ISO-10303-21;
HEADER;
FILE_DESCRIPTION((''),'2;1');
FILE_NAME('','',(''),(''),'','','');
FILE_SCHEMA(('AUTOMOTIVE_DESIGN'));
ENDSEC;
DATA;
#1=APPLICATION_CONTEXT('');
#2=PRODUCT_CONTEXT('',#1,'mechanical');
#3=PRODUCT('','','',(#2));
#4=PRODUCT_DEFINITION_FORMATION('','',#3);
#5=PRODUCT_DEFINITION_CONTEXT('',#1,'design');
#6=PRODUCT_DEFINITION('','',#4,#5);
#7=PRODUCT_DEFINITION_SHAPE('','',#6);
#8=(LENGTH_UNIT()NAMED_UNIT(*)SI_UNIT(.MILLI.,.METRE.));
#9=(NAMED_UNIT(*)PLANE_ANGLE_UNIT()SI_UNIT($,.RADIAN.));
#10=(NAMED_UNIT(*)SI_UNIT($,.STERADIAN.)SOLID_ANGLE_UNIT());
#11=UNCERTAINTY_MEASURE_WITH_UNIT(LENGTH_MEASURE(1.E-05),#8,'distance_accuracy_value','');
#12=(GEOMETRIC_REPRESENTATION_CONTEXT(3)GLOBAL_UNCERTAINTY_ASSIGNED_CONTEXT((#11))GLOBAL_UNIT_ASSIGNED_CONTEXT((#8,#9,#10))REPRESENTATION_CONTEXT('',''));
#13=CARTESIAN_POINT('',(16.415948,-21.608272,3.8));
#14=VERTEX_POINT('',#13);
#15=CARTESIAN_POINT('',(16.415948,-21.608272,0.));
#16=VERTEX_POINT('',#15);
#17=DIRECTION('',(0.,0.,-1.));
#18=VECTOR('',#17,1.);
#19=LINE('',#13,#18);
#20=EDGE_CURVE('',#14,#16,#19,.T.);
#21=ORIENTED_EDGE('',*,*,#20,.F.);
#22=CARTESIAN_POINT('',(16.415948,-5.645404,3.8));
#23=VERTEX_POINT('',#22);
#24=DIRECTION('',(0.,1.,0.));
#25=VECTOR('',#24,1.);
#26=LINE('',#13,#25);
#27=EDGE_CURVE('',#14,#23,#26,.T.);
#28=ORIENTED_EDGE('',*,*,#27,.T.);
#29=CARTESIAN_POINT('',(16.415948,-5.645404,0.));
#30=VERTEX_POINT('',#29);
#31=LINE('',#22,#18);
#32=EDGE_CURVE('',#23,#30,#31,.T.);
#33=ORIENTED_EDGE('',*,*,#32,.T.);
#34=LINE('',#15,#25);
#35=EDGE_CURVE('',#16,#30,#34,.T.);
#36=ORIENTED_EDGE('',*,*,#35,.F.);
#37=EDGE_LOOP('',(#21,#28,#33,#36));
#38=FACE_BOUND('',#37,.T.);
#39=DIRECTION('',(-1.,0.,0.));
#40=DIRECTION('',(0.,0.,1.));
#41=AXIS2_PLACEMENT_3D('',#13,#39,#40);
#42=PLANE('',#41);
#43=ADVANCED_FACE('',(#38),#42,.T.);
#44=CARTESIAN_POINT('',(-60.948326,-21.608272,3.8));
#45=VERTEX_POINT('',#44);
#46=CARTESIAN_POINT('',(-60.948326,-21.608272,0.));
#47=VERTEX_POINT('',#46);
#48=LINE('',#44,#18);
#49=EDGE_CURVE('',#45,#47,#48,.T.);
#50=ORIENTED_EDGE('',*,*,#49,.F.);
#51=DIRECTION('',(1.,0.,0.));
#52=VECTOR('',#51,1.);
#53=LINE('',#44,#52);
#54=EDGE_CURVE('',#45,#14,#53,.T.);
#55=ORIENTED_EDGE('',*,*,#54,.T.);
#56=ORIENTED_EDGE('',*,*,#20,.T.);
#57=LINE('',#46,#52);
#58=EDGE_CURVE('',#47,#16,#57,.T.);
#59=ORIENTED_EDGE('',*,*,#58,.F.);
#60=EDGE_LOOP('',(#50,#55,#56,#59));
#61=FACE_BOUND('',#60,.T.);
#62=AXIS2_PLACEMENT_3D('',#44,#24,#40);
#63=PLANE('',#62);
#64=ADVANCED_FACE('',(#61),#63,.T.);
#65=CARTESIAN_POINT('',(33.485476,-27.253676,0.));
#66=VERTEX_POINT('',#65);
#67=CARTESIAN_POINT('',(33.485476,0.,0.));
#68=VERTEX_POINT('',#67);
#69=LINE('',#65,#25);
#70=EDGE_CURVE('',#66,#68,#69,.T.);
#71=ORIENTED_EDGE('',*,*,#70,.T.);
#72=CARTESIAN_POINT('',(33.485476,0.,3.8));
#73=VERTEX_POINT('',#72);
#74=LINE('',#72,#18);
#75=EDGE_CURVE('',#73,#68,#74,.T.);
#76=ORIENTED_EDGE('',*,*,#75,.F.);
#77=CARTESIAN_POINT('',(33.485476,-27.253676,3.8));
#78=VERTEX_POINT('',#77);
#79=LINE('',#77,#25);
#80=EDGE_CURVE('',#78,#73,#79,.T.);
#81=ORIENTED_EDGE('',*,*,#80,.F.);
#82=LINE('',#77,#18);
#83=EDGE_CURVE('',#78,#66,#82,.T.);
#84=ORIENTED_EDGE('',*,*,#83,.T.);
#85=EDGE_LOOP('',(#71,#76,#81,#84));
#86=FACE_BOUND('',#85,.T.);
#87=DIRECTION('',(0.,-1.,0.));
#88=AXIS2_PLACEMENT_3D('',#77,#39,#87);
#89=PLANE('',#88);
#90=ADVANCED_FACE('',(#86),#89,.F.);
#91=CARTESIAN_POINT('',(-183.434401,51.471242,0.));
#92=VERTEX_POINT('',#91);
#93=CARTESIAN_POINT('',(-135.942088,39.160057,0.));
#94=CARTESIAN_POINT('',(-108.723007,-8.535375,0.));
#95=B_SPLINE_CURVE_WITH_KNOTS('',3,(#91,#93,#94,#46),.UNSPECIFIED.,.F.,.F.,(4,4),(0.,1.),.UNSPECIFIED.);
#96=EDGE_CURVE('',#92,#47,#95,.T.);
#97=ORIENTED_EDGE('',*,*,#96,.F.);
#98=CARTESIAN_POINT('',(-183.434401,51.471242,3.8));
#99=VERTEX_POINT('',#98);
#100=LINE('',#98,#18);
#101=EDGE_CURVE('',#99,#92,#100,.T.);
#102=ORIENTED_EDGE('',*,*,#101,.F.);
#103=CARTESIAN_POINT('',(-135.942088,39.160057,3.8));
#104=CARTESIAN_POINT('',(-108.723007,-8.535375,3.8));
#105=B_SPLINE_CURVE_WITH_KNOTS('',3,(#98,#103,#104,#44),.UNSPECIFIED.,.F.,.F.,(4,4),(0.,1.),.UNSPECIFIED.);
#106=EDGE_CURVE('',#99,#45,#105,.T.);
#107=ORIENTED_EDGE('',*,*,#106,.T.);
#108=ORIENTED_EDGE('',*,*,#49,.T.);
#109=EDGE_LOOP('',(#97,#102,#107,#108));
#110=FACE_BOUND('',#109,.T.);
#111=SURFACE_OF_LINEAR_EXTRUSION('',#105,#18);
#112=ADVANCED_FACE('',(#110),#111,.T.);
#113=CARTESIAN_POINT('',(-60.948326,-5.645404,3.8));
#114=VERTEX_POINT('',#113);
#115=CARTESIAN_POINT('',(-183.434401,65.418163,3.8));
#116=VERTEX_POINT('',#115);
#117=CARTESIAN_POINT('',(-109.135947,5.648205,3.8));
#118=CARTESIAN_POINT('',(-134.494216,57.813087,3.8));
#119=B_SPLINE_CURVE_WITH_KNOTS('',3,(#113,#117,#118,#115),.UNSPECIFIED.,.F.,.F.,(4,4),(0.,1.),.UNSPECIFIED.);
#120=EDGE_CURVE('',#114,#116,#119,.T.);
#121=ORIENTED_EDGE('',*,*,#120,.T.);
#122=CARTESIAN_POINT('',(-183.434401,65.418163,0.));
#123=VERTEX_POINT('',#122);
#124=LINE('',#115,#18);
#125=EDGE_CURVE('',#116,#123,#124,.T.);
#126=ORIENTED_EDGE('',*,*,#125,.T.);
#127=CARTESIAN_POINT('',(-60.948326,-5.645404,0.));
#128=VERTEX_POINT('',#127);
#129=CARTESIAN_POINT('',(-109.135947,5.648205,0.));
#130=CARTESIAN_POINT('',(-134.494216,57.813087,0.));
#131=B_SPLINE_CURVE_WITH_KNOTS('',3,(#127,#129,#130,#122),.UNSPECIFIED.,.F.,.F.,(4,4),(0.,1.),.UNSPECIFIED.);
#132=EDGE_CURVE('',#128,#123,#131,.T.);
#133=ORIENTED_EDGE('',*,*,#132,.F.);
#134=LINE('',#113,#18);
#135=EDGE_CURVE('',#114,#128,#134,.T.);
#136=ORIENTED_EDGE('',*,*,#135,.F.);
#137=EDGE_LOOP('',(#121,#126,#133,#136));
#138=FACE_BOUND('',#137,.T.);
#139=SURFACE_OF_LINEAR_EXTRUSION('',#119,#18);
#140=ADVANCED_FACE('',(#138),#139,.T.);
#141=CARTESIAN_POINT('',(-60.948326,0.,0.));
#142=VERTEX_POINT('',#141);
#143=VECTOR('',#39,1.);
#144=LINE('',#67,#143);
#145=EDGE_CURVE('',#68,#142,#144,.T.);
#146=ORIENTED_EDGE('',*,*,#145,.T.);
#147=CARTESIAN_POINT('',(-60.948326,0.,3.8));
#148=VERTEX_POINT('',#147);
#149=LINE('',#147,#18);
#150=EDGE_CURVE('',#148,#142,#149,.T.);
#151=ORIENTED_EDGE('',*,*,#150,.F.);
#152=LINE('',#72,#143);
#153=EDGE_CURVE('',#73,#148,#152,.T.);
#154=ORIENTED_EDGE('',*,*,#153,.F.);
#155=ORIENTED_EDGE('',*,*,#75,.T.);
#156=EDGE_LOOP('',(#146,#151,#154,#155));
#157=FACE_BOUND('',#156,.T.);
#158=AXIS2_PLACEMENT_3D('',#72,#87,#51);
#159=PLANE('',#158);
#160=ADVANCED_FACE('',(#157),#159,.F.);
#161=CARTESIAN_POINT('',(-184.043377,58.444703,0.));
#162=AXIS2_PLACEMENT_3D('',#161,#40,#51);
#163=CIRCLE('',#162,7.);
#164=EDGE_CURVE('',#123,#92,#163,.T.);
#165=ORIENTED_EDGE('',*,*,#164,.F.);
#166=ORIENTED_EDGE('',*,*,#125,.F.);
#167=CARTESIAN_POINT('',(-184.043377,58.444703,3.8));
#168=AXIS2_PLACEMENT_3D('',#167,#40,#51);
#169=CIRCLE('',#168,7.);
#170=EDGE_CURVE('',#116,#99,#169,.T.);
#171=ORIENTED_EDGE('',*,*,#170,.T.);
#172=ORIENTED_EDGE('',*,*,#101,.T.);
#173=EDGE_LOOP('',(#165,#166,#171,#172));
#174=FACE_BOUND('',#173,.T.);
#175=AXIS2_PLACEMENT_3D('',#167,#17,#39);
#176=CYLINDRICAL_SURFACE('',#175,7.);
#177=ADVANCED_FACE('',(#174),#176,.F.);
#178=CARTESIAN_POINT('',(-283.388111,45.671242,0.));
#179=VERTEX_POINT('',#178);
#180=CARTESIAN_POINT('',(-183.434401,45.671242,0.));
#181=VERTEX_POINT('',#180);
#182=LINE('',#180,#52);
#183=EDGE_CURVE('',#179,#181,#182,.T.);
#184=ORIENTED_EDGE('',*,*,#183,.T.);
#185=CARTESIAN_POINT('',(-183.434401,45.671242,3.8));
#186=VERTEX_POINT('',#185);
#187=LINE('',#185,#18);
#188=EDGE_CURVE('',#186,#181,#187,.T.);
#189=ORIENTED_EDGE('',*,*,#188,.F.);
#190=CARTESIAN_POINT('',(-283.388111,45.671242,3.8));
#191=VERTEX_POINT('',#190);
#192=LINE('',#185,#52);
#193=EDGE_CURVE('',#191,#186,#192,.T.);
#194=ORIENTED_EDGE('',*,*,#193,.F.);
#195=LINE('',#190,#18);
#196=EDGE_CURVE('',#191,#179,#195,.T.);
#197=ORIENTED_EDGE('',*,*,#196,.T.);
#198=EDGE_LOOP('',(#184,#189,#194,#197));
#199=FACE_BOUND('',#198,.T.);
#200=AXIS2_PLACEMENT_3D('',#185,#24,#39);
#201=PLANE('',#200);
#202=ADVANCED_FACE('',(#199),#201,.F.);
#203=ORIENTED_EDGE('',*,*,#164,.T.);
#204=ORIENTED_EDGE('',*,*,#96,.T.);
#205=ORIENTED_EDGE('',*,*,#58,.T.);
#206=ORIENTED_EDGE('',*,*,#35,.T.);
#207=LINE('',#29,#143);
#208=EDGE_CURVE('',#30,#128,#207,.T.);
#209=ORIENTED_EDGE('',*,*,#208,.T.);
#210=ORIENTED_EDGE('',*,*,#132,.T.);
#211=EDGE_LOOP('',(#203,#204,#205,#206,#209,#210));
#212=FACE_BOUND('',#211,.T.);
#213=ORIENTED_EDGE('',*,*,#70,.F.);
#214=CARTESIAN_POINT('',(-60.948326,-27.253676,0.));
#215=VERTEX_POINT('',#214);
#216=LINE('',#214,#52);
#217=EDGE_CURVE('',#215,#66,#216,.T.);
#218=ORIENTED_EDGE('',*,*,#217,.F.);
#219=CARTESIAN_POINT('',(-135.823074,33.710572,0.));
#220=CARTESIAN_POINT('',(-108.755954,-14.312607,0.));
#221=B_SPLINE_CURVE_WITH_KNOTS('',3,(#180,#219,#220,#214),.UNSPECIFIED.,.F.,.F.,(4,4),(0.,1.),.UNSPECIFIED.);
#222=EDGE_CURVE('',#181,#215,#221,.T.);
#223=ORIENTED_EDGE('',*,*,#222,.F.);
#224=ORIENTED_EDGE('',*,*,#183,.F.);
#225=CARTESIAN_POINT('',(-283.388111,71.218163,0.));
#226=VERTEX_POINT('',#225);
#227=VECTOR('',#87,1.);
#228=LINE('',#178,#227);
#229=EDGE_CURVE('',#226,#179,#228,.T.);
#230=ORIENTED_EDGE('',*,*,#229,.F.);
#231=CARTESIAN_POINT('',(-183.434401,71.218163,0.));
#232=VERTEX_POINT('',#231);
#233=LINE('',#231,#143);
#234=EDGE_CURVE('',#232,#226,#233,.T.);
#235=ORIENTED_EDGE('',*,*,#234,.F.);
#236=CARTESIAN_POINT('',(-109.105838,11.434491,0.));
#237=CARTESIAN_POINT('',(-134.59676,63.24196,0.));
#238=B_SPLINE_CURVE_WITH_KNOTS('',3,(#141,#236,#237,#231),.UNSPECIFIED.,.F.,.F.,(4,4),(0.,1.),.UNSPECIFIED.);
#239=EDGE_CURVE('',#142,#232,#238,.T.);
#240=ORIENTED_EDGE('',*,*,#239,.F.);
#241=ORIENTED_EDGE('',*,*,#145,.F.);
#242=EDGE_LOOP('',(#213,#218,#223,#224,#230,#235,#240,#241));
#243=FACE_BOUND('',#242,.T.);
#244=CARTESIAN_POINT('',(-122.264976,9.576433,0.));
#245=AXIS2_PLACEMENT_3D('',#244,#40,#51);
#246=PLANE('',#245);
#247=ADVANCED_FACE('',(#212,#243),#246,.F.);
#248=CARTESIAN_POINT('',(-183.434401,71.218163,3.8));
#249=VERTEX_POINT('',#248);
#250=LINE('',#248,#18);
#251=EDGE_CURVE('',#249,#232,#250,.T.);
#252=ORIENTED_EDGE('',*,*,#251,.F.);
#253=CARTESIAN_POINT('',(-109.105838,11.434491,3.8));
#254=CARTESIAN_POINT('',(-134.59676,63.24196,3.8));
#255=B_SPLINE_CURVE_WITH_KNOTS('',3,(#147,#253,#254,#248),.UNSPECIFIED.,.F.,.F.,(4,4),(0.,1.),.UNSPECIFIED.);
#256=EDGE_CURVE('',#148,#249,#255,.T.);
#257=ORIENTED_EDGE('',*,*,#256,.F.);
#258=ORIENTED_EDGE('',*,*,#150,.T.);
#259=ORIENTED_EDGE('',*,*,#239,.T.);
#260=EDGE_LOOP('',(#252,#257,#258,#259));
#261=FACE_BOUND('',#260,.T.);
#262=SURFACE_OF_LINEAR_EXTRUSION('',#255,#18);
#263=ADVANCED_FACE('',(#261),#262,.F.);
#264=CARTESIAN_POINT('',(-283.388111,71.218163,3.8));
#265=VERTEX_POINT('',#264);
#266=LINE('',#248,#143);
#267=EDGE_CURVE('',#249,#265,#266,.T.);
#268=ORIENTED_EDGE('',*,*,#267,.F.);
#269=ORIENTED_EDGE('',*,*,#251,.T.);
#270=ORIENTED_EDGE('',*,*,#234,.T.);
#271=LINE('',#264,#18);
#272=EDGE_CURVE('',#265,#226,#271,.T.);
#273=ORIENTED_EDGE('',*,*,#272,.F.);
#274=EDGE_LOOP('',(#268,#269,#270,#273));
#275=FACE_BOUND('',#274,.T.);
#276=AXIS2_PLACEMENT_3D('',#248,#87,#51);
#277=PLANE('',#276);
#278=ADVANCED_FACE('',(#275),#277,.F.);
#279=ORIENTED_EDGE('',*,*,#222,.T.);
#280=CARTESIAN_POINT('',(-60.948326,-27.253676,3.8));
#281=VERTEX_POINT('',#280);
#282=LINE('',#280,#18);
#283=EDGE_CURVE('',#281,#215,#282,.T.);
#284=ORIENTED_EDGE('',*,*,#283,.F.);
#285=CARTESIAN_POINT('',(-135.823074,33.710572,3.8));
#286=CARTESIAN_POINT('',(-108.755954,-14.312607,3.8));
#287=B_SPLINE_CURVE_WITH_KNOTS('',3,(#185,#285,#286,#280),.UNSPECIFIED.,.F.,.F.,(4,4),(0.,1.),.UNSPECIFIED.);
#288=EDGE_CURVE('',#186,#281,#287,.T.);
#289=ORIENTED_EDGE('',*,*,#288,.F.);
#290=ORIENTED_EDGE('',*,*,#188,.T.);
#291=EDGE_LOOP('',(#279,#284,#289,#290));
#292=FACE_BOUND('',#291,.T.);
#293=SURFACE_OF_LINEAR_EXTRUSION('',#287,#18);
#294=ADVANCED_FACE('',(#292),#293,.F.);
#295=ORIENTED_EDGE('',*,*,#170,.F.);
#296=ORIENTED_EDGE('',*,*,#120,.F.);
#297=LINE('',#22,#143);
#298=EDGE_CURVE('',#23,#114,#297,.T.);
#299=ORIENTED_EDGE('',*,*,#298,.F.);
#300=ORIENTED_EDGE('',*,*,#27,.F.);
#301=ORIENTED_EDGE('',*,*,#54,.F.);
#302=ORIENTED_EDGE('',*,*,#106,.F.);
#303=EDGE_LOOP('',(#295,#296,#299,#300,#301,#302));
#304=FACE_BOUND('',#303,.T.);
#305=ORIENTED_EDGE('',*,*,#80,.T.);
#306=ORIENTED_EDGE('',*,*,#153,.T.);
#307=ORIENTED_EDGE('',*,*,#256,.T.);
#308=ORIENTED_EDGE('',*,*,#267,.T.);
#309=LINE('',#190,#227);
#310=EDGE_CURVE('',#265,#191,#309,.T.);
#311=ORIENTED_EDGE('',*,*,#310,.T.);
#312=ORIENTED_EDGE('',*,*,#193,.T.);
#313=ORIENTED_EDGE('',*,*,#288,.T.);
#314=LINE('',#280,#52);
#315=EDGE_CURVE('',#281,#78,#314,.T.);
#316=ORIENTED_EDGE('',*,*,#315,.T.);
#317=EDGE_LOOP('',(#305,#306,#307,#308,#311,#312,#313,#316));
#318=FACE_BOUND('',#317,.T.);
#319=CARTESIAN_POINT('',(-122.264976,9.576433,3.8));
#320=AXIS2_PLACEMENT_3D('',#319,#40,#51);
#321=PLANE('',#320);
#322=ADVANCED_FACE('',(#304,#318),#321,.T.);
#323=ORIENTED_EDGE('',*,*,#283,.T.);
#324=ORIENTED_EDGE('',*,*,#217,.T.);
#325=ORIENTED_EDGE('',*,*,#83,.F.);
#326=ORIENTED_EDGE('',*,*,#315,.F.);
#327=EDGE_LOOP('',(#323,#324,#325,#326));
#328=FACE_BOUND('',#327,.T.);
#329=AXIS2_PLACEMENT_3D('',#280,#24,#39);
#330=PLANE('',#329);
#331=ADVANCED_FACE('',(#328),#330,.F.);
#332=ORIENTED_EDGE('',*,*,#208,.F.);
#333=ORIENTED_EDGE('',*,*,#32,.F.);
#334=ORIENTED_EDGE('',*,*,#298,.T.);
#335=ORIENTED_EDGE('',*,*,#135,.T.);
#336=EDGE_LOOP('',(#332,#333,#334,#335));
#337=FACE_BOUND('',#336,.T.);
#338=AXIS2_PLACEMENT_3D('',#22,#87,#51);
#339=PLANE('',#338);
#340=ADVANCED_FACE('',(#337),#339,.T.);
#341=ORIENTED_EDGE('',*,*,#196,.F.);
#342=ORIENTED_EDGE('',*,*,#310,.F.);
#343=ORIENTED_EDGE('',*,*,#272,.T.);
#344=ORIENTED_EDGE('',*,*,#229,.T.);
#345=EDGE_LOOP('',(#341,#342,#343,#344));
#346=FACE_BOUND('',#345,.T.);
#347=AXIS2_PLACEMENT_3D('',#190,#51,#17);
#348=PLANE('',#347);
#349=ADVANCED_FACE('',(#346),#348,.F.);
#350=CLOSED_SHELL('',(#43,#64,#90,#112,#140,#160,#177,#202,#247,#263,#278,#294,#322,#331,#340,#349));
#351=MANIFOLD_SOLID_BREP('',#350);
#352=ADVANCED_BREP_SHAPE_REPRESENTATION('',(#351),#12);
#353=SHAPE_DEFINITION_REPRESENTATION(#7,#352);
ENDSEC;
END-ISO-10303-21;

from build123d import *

# Parameters (mm, degrees)
BOSS_EXTRUDE1_DEPTH = 3.8


with BuildPart() as part:
    # Sketch1 → Boss-Extrude1 (new body)
    with BuildSketch(Plane.XY):
        with BuildLine():
            Line((-183.434400527, 71.218162808), (-283.388111119, 71.218162808))
            Line((-283.388111119, 71.218162808), (-283.388111119, 45.671242369))
            Line((-283.388111119, 45.671242369), (-183.434400527, 45.671242369))
            add(Edge.make_bspline(
                [(-183.434400527, 45.671242369), (-135.823073525, 33.710571784), (-108.755954443, -14.312606995), (-60.948326307, -27.25367588)],
                knots=[0, 0, 0, 0, 1, 1, 1, 1], degree=3))
            Line((-60.948326307, -27.25367588), (33.485476227, -27.25367588))
            Line((33.485476227, -27.25367588), (33.485476227, 0))
            Line((33.485476227, 0), (-60.948326307, 0))
            add(Edge.make_bspline(
                [(-183.434400527, 71.218162808), (-134.596760432, 63.241960011), (-109.105838052, 11.434490967), (-60.948326307, 0)],
                knots=[0, 0, 0, 0, 1, 1, 1, 1], degree=3))
        make_face()
        with BuildLine():
            Line((16.41594826, -5.645404289), (-60.948326307, -5.645404289))
            add(Edge.make_bspline(
                [(-183.434400527, 65.418162808), (-134.494216102, 57.813087075), (-109.135947228, 5.64820533), (-60.948326307, -5.645404289)],
                knots=[0, 0, 0, 0, 1, 1, 1, 1], degree=3))
            ThreePointArc((-183.434400527, 65.418162808), (-191.043377182, 58.444702588), (-183.434400527, 51.471242369))
            add(Edge.make_bspline(
                [(-183.434400527, 51.471242369), (-135.942087972, 39.160056631), (-108.723006617, -8.535375407), (-60.948326307, -21.608271591)],
                knots=[0, 0, 0, 0, 1, 1, 1, 1], degree=3))
            Line((-60.948326307, -21.608271591), (16.41594826, -21.608271591))
            Line((16.41594826, -21.608271591), (16.41594826, -5.645404289))
        make_face(mode=Mode.SUBTRACT)
    extrude(amount=BOSS_EXTRUDE1_DEPTH)


solid = part.part
